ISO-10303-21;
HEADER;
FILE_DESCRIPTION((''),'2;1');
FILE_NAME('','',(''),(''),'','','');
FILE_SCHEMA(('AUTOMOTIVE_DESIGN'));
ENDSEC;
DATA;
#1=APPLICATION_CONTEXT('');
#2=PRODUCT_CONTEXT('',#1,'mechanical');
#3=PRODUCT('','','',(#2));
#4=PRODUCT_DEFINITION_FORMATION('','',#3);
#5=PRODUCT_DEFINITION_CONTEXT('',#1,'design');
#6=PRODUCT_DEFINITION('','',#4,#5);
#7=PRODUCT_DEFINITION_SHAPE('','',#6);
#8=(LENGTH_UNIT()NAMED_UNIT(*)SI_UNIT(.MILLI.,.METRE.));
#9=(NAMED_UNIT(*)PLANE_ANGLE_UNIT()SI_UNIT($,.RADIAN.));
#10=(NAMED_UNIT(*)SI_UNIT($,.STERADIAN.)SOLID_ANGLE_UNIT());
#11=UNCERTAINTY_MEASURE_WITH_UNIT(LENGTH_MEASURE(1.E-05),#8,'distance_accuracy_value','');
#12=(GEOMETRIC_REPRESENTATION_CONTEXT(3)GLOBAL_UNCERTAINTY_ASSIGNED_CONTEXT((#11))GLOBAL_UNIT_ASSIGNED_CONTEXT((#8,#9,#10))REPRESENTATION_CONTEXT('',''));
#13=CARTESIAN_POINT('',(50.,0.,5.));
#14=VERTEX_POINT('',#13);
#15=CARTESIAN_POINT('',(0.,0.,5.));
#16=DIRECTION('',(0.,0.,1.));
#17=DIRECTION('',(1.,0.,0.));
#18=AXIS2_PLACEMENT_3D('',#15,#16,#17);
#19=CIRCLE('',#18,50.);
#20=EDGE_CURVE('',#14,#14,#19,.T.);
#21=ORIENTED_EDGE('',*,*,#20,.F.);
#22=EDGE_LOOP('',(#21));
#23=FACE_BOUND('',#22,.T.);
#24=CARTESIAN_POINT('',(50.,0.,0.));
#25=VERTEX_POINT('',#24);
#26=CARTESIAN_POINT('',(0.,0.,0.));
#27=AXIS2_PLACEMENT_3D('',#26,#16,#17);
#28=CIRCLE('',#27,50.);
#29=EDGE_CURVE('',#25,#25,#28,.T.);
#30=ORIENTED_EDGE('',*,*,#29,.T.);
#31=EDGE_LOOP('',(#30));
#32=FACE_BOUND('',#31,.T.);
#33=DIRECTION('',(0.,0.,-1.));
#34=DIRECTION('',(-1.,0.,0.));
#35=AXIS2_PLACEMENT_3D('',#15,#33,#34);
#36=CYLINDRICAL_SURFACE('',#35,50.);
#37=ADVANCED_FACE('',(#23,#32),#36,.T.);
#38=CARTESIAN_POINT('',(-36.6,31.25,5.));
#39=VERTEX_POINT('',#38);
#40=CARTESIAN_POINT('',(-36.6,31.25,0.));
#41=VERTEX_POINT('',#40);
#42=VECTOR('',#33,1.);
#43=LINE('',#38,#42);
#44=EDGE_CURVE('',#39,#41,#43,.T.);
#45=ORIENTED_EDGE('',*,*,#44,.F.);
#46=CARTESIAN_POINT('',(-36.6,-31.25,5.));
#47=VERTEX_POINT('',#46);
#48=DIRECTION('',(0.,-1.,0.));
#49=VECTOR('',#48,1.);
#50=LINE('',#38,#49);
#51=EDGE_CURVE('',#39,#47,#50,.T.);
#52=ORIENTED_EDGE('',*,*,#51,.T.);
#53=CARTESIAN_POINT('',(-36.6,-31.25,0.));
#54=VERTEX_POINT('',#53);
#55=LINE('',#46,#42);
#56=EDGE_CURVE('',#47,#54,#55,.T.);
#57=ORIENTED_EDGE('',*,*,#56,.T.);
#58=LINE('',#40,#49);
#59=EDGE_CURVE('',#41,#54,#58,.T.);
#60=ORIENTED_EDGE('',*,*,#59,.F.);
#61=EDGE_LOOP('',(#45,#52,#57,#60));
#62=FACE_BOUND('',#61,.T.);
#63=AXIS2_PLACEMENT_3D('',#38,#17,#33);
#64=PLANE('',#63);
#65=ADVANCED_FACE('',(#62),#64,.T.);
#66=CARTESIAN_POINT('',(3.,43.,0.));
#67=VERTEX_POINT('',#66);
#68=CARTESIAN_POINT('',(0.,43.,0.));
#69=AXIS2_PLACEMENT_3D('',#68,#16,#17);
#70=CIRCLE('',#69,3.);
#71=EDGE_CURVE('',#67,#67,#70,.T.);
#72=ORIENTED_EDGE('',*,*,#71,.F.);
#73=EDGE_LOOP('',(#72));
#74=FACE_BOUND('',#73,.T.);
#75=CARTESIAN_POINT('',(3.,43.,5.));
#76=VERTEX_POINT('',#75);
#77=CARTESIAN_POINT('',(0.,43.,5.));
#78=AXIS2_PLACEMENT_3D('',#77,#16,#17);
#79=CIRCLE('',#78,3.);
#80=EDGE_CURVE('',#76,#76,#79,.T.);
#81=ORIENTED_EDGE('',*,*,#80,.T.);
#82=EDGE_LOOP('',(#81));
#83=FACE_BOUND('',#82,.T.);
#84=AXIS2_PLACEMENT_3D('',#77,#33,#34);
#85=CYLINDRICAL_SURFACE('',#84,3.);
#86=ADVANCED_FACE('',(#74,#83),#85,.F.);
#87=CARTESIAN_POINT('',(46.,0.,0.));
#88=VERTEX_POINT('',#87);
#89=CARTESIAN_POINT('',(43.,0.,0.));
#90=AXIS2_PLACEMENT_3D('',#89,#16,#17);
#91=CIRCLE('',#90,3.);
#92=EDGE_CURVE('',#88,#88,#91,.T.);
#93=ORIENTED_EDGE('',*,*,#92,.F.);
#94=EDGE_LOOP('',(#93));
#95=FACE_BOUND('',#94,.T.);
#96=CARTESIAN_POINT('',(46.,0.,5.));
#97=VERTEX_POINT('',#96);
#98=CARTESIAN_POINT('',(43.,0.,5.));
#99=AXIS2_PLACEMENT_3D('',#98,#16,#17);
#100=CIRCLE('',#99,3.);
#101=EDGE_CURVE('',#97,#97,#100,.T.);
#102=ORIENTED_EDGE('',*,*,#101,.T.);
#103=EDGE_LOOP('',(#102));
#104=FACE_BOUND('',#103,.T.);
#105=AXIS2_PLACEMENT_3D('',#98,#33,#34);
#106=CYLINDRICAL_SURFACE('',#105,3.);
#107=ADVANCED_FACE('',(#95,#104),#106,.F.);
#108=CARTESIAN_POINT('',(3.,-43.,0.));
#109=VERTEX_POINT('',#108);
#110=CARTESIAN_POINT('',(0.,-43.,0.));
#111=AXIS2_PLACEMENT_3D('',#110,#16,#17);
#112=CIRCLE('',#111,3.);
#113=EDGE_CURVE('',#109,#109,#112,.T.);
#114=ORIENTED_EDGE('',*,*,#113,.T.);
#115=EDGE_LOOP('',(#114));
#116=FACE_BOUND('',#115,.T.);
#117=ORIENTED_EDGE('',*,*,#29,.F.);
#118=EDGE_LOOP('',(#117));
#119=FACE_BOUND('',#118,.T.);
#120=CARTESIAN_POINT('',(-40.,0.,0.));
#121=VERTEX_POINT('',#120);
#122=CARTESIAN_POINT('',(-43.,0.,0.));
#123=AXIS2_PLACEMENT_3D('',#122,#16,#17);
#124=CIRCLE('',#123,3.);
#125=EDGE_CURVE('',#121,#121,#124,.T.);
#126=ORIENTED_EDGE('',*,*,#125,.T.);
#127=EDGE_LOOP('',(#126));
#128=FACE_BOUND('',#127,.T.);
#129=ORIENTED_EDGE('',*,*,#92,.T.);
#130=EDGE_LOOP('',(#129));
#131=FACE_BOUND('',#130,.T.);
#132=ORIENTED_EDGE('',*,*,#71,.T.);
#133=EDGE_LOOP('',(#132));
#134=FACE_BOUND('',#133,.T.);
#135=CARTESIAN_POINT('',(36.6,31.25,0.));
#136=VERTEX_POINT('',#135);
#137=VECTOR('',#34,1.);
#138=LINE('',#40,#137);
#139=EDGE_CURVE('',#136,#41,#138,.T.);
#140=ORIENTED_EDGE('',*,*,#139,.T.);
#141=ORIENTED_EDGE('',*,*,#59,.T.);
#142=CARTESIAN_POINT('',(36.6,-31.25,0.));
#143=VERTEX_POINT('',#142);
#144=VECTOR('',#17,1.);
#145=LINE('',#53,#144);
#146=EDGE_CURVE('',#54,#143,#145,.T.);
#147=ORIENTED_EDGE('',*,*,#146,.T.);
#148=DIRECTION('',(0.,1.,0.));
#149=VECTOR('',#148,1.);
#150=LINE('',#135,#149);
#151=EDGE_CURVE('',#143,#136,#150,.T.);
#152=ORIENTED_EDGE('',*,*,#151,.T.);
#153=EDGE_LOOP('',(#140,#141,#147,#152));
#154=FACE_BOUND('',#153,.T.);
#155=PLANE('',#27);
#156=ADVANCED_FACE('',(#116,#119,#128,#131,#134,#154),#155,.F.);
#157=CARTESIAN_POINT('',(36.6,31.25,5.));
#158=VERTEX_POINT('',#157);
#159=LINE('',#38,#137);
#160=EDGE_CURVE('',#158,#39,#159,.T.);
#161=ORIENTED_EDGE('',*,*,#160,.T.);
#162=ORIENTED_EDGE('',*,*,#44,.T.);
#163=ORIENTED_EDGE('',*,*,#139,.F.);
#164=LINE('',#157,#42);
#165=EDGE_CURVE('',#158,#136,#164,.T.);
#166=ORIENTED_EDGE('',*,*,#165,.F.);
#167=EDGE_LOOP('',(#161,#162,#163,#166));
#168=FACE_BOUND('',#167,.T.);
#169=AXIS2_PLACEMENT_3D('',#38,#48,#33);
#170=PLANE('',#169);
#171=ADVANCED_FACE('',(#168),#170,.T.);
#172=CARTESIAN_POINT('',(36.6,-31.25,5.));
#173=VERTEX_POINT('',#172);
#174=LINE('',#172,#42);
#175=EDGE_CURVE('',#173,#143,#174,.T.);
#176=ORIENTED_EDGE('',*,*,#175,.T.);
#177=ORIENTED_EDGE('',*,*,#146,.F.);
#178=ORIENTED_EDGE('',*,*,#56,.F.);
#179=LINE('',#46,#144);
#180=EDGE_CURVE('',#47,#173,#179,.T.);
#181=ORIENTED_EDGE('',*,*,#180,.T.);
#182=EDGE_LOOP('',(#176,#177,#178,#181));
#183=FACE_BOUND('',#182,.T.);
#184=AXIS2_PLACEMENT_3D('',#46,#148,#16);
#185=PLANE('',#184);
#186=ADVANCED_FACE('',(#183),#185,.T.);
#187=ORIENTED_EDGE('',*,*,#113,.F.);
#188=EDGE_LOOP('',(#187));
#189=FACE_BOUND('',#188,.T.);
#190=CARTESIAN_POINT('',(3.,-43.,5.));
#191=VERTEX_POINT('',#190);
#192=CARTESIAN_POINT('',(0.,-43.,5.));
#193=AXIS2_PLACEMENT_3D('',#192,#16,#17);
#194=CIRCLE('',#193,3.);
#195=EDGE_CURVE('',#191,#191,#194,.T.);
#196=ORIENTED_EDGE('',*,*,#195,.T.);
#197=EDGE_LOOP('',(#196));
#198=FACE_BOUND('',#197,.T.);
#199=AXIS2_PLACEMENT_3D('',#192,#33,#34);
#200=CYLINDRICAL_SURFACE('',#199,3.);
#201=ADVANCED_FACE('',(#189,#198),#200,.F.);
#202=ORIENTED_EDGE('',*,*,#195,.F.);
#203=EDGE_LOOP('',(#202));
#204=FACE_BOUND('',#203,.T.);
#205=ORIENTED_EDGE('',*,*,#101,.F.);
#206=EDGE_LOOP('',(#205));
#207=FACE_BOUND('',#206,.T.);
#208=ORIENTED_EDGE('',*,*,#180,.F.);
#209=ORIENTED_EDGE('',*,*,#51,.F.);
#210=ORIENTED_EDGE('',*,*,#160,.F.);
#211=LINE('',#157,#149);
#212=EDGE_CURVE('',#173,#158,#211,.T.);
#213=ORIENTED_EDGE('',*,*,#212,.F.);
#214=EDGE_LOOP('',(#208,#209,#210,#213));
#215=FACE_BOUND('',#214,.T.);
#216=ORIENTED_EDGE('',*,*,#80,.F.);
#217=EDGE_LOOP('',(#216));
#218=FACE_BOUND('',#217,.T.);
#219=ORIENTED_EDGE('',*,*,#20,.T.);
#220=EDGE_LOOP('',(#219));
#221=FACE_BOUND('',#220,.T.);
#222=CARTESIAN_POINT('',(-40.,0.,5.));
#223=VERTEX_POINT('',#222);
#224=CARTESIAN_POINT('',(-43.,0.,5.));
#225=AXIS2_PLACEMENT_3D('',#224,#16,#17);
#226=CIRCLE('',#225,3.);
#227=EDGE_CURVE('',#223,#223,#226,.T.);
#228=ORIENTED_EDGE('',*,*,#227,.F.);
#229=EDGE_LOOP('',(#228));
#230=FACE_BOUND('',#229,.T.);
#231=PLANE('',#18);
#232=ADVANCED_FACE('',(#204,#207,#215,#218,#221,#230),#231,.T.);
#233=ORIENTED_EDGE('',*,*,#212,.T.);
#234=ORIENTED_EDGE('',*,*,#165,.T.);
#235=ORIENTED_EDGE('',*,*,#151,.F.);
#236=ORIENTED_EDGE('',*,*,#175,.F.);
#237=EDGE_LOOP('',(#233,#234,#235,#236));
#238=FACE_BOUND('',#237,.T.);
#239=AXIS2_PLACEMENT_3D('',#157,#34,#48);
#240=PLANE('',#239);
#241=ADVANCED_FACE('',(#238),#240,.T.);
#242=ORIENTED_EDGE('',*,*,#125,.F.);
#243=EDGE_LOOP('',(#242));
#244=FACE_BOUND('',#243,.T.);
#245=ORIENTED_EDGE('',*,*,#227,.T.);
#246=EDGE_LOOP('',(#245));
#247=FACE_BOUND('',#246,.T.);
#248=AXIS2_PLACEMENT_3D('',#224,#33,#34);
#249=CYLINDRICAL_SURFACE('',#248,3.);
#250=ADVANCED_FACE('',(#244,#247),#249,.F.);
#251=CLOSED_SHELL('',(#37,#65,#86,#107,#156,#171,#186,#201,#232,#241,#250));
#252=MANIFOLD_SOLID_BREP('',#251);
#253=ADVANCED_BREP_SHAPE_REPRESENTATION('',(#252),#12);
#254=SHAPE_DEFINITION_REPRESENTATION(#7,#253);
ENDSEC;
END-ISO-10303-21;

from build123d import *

# Parameters (mm, degrees)
ESQUISSE1_R        = 50
ESQUISSE1_R_2      = 3
ESQUISSE1_W        = 73.2
ESQUISSE1_H        = 62.5
BOSS_EXTRU_1_DEPTH = 5


with BuildPart() as part:
    # Esquisse1 → Boss.-Extru.1 (new body)
    with BuildSketch(Plane.XY):
        Circle(ESQUISSE1_R)
        with Locations((43, 0)):
            Circle(ESQUISSE1_R_2, mode=Mode.SUBTRACT)
        with Locations((0, 43)):
            Circle(ESQUISSE1_R_2, mode=Mode.SUBTRACT)
        with Locations((-43, 0)):
            Circle(ESQUISSE1_R_2, mode=Mode.SUBTRACT)
        with Locations((0, -43)):
            Circle(ESQUISSE1_R_2, mode=Mode.SUBTRACT)
        Rectangle(ESQUISSE1_W, ESQUISSE1_H, mode=Mode.SUBTRACT)
    extrude(amount=BOSS_EXTRU_1_DEPTH)


solid = part.part
